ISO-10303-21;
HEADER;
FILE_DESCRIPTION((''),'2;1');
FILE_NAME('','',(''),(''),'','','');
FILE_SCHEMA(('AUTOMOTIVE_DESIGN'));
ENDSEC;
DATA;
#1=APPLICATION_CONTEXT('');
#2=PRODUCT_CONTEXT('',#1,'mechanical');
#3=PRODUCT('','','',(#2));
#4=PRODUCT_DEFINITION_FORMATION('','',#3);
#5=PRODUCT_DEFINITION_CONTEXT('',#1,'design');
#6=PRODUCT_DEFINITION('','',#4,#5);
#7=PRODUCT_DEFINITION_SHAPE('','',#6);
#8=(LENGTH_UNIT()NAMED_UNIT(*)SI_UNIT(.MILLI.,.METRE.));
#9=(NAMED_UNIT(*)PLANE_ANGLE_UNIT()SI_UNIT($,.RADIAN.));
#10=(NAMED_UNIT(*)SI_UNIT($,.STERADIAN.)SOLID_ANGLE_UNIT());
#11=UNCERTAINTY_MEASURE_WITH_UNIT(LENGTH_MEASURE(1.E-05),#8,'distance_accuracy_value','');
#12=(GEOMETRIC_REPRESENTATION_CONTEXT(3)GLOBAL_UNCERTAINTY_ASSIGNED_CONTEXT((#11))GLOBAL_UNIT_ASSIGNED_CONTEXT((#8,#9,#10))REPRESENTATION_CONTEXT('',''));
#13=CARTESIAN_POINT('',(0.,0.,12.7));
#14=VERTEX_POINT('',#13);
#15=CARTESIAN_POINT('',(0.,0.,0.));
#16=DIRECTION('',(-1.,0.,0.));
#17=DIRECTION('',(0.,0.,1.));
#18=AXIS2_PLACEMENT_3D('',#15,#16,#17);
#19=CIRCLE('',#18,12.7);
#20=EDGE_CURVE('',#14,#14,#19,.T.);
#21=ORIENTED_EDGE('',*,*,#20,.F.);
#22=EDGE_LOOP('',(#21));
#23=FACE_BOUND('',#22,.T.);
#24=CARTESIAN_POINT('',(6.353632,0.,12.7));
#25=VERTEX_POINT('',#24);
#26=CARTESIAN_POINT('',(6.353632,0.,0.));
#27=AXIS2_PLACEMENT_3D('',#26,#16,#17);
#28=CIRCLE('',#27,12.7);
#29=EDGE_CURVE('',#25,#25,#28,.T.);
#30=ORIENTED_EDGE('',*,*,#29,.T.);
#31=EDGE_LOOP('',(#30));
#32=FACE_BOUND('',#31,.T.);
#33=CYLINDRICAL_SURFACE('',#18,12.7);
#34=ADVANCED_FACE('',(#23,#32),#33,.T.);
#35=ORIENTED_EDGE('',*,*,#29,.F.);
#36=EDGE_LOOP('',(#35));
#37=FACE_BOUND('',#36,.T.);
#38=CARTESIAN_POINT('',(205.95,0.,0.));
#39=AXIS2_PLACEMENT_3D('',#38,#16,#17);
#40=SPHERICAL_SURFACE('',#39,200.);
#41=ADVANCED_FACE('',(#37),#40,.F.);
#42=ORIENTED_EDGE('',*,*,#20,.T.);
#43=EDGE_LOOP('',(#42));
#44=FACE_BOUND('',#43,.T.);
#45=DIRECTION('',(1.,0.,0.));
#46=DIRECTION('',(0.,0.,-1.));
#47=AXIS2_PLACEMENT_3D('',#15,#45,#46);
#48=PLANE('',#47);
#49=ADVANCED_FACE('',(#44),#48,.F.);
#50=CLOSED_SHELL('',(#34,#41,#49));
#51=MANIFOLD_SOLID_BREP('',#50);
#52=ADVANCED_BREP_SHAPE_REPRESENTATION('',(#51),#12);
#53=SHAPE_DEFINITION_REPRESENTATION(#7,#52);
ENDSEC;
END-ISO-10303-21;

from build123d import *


with BuildPart() as part:
    # 草图1 → 旋转1 (revolve)
    with BuildSketch(Plane(origin=(0, 0, 0), x_dir=(1, 0, 0), z_dir=(0, 1, 0)), mode=Mode.PRIVATE) as revolve_1_sk:
        with BuildLine():
            Line((0, 0), (5.95, 0))
            ThreePointArc((5.95, 0), (6.050933543, 6.353206258), (6.353632298, 12.7))
            Line((6.353632298, 12.7), (0, 12.7))
            Line((0, 12.7), (0, 0))
        make_face()
    revolve(revolve_1_sk.sketch.rotate(Axis((0, 0, 0), (1, 0, 0)), 180), axis=Axis((0, 0, 0), (1, 0, 0)))  # turned: the seam where the file's is


solid = part.part
